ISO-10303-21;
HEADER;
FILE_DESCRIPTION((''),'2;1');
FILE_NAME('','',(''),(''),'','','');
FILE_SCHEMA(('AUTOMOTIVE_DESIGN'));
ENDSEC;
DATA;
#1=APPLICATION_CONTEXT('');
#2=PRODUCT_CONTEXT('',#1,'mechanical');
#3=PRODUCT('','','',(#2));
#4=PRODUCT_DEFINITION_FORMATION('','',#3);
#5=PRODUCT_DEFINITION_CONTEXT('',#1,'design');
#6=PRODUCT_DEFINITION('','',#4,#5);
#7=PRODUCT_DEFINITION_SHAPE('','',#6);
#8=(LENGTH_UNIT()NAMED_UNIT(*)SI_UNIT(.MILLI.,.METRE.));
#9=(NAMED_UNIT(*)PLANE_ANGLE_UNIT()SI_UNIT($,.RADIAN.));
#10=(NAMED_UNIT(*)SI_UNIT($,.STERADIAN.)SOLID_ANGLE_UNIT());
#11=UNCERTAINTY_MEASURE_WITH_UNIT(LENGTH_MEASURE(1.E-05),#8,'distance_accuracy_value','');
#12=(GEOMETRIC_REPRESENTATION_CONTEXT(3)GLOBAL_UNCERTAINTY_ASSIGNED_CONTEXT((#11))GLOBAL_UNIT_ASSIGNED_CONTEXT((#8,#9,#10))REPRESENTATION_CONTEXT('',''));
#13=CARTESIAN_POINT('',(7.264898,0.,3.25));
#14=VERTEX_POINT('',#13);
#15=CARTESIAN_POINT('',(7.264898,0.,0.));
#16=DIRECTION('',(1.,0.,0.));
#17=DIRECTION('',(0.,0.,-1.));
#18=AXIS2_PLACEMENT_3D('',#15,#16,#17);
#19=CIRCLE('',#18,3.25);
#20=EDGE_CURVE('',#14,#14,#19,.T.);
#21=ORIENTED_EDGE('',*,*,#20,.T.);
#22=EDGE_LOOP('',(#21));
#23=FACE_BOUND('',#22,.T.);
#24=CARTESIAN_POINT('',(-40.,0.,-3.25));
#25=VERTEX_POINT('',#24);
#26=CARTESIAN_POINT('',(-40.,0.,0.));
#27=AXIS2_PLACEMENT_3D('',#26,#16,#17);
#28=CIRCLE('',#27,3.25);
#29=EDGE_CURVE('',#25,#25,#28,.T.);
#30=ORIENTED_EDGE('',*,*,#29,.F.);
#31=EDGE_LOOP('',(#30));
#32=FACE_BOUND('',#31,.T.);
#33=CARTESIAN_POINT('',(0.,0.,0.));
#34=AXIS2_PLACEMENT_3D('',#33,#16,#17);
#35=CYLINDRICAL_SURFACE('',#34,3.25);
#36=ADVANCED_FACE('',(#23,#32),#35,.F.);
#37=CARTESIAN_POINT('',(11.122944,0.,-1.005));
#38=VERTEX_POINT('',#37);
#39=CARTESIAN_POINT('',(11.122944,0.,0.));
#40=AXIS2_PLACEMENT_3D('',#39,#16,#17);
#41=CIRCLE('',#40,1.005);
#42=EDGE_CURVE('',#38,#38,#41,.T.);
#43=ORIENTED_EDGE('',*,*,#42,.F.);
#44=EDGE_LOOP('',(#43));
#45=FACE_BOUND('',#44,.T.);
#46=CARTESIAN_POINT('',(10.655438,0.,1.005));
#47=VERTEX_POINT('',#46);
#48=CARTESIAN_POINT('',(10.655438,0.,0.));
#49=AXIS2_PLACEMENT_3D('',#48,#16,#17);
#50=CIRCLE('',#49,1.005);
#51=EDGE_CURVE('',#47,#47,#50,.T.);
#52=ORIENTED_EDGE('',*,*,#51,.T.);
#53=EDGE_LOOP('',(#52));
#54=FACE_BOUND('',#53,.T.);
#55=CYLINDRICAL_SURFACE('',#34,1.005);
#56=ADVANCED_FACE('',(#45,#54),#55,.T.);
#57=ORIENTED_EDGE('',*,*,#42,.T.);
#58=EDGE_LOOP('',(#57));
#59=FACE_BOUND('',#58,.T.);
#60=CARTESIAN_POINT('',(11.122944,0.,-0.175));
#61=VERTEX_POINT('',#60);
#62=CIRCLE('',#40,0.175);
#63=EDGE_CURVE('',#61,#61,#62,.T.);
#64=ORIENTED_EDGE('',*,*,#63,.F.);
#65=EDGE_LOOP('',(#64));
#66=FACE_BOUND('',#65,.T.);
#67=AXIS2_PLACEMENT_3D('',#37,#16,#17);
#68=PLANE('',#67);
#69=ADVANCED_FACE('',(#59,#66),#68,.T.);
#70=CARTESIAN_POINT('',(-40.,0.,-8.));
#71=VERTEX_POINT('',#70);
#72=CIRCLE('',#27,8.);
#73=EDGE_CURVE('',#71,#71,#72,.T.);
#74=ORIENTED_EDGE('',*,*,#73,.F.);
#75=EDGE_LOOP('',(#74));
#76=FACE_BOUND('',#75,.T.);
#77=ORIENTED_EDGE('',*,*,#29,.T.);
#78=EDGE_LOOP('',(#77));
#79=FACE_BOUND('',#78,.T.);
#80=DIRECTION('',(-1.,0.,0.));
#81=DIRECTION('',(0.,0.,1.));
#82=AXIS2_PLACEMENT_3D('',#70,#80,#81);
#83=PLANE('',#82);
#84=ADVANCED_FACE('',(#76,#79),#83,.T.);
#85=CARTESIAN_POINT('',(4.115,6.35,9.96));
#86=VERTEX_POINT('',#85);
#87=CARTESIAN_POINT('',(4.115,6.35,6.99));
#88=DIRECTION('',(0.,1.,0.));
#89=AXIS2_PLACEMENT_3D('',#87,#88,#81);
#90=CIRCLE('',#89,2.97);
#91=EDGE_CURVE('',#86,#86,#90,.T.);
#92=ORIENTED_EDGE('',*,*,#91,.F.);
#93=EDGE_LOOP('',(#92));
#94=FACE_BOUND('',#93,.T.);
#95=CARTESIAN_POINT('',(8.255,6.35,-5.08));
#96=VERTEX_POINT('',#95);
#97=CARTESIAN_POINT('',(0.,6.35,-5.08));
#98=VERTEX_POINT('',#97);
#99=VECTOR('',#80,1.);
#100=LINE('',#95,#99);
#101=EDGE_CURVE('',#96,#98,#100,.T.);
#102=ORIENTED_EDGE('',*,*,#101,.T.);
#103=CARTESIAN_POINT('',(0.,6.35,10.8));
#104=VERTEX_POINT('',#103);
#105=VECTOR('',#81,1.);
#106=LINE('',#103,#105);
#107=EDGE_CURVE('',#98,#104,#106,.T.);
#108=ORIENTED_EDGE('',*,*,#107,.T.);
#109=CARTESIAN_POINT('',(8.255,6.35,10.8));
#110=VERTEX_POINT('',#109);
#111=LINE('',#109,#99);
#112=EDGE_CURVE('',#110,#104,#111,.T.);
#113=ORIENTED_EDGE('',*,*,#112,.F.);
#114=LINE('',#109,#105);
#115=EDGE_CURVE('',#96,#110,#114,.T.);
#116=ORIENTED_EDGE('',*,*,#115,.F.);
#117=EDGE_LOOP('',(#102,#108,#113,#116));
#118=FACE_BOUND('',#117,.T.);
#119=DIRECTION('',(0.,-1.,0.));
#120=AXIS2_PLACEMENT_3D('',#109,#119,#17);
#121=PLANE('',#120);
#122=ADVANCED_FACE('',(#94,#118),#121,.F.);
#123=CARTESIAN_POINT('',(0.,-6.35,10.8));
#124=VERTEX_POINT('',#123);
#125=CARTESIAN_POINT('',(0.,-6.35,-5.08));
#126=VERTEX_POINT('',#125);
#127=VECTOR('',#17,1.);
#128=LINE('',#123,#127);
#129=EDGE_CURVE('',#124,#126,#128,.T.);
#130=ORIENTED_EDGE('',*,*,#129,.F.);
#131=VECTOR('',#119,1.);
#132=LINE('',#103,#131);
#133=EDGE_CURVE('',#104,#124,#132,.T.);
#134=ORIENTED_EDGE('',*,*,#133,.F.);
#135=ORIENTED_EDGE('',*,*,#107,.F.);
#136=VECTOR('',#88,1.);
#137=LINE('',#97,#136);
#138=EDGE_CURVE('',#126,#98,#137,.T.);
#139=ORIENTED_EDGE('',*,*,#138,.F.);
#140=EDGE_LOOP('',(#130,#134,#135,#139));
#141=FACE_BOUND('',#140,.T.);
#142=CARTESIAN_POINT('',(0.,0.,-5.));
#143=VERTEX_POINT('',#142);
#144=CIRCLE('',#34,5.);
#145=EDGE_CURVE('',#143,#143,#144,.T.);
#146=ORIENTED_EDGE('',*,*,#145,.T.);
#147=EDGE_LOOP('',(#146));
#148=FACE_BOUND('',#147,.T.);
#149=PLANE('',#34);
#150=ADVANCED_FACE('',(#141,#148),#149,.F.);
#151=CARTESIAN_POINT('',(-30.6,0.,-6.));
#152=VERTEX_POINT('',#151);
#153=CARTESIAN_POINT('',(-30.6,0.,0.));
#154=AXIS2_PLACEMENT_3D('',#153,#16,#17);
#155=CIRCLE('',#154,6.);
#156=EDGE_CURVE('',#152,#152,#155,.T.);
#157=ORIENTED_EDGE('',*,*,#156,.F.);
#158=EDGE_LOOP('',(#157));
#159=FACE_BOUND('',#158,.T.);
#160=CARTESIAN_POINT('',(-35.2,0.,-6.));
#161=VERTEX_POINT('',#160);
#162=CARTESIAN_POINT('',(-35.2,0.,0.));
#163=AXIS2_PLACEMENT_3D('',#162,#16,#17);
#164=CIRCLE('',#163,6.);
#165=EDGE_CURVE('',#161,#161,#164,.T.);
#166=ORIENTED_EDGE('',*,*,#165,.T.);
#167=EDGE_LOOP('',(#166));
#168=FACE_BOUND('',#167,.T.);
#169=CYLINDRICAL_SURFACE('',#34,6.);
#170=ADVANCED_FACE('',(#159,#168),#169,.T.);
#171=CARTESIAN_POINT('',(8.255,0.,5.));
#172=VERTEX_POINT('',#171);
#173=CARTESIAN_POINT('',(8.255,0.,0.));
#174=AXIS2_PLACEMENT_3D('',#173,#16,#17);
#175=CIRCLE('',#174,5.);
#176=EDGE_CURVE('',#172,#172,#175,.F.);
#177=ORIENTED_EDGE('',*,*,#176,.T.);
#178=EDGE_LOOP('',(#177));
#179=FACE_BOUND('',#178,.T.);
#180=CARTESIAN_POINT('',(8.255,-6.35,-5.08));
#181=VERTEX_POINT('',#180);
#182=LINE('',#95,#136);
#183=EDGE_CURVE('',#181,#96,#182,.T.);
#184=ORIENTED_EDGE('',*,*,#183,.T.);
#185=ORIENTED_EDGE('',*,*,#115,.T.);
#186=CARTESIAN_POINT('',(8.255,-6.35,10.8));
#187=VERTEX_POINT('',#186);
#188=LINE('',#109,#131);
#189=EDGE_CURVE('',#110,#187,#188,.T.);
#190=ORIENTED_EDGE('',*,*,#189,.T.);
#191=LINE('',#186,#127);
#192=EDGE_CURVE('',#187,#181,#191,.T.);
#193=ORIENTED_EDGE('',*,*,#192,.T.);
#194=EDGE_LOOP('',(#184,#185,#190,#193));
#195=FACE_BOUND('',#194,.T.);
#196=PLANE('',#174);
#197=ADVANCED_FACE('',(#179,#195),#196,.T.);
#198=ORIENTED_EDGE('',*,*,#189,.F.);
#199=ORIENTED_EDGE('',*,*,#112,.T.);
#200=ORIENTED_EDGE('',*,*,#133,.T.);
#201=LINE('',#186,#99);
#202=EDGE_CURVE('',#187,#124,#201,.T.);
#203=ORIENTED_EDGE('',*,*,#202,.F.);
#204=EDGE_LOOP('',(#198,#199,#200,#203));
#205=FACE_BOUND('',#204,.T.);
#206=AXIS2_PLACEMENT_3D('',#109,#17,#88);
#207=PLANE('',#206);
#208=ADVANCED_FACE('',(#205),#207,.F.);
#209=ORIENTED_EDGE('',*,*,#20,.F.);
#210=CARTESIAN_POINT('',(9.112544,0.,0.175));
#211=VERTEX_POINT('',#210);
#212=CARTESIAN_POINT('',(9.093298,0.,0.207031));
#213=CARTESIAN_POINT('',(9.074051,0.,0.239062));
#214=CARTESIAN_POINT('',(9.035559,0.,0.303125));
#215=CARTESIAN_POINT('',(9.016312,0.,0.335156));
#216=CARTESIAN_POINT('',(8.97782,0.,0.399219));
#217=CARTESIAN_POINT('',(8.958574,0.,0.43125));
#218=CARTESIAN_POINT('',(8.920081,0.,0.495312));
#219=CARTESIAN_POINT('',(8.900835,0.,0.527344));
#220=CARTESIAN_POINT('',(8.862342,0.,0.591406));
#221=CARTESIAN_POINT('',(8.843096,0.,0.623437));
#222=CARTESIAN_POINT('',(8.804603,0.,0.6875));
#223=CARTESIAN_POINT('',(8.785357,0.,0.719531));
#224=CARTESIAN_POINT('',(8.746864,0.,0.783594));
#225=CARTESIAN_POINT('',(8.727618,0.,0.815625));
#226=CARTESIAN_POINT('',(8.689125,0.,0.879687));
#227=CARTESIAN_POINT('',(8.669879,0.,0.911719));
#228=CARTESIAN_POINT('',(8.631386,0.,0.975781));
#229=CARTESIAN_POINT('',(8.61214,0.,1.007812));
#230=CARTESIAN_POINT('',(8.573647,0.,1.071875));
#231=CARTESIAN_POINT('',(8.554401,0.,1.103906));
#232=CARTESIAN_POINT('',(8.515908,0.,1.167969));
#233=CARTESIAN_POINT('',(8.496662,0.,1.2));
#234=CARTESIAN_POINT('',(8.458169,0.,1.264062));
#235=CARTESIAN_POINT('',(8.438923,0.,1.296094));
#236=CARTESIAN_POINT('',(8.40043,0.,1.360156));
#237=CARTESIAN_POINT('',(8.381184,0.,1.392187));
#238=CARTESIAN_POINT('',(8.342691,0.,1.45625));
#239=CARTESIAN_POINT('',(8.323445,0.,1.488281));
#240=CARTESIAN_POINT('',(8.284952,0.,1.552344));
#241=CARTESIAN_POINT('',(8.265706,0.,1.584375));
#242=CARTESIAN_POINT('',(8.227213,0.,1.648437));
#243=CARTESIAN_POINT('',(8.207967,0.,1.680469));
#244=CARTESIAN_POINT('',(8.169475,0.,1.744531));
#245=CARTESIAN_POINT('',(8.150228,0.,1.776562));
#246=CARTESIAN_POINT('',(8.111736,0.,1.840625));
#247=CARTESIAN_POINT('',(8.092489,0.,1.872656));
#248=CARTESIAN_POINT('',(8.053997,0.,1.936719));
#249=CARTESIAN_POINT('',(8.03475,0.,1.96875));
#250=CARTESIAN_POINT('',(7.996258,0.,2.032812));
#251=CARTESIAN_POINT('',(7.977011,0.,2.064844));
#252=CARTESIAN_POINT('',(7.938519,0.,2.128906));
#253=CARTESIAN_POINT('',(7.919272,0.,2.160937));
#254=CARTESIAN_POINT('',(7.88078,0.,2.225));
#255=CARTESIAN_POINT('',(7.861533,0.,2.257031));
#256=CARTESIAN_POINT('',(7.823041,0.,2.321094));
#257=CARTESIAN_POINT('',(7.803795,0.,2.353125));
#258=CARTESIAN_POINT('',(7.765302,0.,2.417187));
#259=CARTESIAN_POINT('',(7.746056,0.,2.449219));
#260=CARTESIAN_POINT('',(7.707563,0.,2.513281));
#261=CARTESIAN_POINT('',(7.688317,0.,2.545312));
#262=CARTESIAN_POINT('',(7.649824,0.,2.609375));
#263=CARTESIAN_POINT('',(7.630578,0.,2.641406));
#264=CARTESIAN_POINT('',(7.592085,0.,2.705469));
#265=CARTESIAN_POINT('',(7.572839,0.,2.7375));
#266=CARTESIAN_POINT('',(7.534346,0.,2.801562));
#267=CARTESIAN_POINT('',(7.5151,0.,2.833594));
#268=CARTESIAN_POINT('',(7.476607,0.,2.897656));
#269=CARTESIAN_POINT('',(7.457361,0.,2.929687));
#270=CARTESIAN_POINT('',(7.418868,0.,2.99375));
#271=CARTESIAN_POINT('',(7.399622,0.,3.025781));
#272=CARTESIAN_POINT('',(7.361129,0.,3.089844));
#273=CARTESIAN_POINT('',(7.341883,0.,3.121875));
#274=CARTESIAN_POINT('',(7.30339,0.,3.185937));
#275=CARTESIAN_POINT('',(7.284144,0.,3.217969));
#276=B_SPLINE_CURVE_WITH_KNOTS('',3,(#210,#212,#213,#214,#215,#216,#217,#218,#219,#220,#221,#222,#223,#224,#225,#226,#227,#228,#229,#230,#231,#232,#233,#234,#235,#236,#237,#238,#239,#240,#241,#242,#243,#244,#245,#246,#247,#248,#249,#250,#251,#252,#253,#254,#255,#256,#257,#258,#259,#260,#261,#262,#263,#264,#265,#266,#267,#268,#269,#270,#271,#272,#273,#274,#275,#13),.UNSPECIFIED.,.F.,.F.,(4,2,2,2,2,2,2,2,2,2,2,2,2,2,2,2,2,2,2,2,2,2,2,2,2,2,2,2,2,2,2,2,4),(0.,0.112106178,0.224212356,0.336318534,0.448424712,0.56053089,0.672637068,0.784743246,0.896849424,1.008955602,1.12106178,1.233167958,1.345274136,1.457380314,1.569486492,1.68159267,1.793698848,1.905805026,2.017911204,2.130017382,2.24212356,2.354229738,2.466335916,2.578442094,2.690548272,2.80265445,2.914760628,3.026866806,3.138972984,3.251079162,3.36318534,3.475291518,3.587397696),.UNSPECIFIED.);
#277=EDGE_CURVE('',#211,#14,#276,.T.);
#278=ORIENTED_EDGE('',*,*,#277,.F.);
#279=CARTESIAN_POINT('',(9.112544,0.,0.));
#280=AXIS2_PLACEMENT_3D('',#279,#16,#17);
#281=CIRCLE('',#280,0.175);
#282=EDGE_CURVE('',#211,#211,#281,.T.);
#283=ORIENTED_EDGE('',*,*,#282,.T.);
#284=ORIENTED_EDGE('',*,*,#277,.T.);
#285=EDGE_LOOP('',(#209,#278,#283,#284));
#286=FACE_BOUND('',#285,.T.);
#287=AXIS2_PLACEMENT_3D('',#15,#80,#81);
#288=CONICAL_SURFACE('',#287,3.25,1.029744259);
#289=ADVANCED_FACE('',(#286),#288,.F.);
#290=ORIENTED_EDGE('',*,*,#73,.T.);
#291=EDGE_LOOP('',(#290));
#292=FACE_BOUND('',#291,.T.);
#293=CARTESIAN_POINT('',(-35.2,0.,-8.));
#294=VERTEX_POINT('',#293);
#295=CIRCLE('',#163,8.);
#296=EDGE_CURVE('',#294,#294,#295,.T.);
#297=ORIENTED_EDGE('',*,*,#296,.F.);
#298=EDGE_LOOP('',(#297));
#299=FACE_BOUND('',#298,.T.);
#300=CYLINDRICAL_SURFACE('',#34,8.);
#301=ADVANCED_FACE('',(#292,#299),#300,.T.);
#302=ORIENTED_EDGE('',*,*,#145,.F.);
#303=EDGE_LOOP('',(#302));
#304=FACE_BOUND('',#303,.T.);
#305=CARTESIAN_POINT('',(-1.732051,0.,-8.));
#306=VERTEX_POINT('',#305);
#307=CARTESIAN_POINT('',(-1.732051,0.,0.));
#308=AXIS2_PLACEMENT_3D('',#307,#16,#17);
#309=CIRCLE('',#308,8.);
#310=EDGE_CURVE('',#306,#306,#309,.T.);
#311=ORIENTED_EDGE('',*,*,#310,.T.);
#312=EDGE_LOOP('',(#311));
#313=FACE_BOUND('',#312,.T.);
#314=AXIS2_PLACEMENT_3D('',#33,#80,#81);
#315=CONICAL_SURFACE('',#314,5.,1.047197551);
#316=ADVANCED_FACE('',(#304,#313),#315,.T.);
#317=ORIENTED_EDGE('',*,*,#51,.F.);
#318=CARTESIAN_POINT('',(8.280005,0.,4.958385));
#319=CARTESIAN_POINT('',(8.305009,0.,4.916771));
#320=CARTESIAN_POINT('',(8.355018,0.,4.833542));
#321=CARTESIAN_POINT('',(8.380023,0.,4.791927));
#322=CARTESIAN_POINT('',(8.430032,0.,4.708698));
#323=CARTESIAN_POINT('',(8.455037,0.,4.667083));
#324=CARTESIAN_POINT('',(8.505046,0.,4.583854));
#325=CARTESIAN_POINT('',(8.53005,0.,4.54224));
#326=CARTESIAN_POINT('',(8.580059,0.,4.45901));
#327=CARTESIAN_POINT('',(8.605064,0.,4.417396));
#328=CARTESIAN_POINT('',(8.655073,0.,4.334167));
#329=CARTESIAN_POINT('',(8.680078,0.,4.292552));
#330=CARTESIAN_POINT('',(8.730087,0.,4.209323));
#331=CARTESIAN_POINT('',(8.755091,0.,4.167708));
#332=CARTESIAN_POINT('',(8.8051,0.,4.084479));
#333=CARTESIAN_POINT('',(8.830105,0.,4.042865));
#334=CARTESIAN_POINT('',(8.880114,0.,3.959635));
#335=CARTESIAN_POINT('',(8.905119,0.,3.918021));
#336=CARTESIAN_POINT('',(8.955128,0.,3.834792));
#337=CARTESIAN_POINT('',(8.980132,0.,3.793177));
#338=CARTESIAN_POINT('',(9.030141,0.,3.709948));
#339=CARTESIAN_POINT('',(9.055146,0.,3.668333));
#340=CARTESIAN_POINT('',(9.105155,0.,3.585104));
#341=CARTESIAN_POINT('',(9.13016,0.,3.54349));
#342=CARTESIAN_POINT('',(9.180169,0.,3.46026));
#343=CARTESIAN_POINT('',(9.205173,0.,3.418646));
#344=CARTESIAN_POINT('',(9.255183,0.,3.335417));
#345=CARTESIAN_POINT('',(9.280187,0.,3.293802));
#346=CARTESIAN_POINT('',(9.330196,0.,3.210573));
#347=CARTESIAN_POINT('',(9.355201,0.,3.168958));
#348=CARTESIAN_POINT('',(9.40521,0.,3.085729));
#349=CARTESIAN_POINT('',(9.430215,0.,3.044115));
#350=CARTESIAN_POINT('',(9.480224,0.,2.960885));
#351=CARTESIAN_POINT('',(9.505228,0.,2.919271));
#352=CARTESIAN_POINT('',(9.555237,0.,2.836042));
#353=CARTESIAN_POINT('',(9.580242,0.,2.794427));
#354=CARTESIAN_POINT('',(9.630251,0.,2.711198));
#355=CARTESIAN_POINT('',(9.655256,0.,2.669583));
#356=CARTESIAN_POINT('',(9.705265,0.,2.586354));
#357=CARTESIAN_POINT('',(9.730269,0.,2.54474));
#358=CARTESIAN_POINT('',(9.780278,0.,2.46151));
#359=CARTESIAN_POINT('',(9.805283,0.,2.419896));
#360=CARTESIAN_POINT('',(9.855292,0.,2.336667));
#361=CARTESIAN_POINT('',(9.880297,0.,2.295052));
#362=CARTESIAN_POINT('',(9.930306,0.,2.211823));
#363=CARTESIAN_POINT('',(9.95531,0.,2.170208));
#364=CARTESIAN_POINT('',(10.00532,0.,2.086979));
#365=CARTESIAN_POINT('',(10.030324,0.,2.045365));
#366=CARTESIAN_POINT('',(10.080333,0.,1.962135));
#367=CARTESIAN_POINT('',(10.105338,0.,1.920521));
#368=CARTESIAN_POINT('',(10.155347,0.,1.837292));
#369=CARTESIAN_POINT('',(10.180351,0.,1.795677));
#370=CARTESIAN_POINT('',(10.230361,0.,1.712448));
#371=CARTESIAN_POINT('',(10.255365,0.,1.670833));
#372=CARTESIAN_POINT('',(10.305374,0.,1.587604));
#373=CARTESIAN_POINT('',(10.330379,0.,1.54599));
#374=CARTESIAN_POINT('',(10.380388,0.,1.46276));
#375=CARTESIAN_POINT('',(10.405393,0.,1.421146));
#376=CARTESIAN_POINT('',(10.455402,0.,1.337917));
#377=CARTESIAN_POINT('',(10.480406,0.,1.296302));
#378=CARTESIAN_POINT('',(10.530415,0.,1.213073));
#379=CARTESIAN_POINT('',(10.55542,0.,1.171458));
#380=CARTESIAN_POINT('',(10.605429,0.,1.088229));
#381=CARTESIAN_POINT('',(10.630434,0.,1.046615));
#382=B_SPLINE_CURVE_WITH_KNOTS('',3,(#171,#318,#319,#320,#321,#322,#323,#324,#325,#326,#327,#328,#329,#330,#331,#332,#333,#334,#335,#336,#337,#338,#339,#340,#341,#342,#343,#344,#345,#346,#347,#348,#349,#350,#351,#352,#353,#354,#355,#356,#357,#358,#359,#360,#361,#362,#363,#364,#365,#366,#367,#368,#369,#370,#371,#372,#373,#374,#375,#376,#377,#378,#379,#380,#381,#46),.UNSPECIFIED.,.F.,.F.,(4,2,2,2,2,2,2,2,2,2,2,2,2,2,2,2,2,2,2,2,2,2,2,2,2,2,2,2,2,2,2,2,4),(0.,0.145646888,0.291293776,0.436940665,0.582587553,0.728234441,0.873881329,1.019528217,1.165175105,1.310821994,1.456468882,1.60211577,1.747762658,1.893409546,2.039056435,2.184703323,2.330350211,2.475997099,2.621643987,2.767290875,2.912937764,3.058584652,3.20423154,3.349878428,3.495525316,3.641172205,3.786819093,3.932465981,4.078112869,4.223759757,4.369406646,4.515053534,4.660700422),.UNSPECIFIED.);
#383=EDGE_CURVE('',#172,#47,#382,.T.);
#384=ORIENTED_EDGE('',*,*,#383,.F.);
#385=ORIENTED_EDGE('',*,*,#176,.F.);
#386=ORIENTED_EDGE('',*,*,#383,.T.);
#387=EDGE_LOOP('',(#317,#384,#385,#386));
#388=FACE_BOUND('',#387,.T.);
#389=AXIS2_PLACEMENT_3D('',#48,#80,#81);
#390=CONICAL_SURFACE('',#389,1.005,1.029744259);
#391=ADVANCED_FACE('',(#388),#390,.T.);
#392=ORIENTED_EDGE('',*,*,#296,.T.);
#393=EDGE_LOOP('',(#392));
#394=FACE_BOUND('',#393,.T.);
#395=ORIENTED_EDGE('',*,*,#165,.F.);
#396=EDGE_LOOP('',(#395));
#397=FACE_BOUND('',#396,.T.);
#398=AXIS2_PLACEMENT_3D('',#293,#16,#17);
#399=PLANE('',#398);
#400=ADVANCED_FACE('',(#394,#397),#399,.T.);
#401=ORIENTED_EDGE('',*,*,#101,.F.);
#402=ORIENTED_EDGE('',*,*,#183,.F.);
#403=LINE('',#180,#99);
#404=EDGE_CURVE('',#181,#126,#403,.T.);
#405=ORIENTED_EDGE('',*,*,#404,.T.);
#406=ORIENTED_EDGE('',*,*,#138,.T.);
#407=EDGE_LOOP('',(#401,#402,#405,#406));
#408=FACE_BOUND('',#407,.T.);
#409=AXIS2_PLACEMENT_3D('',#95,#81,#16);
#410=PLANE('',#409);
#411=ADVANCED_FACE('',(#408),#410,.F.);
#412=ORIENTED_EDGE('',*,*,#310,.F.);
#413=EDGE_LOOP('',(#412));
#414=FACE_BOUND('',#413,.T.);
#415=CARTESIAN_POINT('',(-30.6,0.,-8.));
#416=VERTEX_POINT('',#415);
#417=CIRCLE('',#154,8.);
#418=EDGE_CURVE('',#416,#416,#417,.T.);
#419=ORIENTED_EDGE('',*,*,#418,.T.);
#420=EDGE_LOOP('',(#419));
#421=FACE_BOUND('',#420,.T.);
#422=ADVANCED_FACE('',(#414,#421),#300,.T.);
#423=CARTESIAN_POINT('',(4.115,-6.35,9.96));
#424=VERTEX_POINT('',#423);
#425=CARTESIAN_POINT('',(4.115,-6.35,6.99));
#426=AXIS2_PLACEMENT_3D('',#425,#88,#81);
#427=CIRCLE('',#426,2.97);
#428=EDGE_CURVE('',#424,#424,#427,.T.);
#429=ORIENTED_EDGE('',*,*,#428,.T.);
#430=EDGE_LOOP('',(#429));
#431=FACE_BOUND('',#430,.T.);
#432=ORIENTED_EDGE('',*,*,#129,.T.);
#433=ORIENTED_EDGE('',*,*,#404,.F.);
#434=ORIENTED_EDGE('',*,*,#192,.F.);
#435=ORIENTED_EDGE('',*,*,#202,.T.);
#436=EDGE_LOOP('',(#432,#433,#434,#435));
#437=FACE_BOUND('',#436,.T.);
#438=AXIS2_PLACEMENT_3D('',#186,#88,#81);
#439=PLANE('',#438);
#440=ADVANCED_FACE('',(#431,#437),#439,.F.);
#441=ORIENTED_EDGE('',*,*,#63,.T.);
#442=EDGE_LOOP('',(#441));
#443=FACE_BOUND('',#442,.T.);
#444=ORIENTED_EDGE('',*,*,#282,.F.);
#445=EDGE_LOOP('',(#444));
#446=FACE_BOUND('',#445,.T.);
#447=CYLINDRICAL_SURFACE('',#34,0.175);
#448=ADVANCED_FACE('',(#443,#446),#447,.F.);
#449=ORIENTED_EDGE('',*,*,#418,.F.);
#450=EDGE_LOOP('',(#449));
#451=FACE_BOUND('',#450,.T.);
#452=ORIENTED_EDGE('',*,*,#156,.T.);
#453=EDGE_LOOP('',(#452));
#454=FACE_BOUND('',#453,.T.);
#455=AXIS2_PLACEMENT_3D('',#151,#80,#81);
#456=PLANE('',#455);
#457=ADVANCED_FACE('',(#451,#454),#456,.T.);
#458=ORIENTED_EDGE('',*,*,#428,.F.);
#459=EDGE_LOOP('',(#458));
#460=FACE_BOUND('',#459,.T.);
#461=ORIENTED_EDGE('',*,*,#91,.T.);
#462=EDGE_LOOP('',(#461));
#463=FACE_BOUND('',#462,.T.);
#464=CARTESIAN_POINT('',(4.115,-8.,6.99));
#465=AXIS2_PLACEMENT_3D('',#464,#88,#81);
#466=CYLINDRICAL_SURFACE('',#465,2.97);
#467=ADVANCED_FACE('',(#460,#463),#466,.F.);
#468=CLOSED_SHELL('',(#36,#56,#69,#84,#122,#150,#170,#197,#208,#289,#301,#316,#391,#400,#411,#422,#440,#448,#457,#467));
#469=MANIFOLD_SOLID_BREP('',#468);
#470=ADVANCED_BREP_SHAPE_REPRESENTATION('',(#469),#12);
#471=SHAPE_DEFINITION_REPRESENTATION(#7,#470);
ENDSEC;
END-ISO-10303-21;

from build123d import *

# Parameters (mm, degrees)
SKETCH2_W           = 15.88
SKETCH2_H           = 12.7
SKETCH2_R           = 3.25
BOSS_EXTRUDE1_DEPTH = 8.255
SKETCH3_R           = 2.97
CUT_EXTRUDE1_DEPTH  = 44.847035248


with BuildPart() as part:
    # Sketch1 → Revolve1 (revolve)
    with BuildSketch(Plane(origin=(0, 0, 0), x_dir=(1, 0, 0), z_dir=(0, 1, 0))):
        Polygon((-40, 8), (-35.2, 8), (-35.2, 6), (-30.6, 6), (-30.6, 8), (-1.732050808, 8), (0, 5), (8.255, 5), (10.655438173, 1.005), (11.122943817, 1.005), (11.122943817, 0.175), (9.112544042, 0.175), (7.264897638, 3.25), (0, 3.25), (-40, 3.25), align=None)
    revolve(axis=Axis((0, 0, 0), (-1, 0, 0)))

    # Sketch2 → Boss-Extrude1 (add)
    with BuildSketch(Plane(origin=(0, 0, 0), x_dir=(0, 0, -1), z_dir=(1, 0, 0))):
        with Locations((-2.86, 0)):
            Rectangle(SKETCH2_W, SKETCH2_H)
        Circle(SKETCH2_R, mode=Mode.SUBTRACT)
    extrude(amount=BOSS_EXTRUDE1_DEPTH)

    # Sketch3 → Cut-Extrude1 (cut, through all)
    with BuildSketch(Plane(origin=(0, 6.35, 0), x_dir=(1, 0, 0), z_dir=(0, 1, 0))):
        with Locations(Location((4.115, -6.99, 0), (0, 0, 270))):
            Circle(SKETCH3_R)
    extrude(amount=-CUT_EXTRUDE1_DEPTH, mode=Mode.SUBTRACT)


solid = part.part
